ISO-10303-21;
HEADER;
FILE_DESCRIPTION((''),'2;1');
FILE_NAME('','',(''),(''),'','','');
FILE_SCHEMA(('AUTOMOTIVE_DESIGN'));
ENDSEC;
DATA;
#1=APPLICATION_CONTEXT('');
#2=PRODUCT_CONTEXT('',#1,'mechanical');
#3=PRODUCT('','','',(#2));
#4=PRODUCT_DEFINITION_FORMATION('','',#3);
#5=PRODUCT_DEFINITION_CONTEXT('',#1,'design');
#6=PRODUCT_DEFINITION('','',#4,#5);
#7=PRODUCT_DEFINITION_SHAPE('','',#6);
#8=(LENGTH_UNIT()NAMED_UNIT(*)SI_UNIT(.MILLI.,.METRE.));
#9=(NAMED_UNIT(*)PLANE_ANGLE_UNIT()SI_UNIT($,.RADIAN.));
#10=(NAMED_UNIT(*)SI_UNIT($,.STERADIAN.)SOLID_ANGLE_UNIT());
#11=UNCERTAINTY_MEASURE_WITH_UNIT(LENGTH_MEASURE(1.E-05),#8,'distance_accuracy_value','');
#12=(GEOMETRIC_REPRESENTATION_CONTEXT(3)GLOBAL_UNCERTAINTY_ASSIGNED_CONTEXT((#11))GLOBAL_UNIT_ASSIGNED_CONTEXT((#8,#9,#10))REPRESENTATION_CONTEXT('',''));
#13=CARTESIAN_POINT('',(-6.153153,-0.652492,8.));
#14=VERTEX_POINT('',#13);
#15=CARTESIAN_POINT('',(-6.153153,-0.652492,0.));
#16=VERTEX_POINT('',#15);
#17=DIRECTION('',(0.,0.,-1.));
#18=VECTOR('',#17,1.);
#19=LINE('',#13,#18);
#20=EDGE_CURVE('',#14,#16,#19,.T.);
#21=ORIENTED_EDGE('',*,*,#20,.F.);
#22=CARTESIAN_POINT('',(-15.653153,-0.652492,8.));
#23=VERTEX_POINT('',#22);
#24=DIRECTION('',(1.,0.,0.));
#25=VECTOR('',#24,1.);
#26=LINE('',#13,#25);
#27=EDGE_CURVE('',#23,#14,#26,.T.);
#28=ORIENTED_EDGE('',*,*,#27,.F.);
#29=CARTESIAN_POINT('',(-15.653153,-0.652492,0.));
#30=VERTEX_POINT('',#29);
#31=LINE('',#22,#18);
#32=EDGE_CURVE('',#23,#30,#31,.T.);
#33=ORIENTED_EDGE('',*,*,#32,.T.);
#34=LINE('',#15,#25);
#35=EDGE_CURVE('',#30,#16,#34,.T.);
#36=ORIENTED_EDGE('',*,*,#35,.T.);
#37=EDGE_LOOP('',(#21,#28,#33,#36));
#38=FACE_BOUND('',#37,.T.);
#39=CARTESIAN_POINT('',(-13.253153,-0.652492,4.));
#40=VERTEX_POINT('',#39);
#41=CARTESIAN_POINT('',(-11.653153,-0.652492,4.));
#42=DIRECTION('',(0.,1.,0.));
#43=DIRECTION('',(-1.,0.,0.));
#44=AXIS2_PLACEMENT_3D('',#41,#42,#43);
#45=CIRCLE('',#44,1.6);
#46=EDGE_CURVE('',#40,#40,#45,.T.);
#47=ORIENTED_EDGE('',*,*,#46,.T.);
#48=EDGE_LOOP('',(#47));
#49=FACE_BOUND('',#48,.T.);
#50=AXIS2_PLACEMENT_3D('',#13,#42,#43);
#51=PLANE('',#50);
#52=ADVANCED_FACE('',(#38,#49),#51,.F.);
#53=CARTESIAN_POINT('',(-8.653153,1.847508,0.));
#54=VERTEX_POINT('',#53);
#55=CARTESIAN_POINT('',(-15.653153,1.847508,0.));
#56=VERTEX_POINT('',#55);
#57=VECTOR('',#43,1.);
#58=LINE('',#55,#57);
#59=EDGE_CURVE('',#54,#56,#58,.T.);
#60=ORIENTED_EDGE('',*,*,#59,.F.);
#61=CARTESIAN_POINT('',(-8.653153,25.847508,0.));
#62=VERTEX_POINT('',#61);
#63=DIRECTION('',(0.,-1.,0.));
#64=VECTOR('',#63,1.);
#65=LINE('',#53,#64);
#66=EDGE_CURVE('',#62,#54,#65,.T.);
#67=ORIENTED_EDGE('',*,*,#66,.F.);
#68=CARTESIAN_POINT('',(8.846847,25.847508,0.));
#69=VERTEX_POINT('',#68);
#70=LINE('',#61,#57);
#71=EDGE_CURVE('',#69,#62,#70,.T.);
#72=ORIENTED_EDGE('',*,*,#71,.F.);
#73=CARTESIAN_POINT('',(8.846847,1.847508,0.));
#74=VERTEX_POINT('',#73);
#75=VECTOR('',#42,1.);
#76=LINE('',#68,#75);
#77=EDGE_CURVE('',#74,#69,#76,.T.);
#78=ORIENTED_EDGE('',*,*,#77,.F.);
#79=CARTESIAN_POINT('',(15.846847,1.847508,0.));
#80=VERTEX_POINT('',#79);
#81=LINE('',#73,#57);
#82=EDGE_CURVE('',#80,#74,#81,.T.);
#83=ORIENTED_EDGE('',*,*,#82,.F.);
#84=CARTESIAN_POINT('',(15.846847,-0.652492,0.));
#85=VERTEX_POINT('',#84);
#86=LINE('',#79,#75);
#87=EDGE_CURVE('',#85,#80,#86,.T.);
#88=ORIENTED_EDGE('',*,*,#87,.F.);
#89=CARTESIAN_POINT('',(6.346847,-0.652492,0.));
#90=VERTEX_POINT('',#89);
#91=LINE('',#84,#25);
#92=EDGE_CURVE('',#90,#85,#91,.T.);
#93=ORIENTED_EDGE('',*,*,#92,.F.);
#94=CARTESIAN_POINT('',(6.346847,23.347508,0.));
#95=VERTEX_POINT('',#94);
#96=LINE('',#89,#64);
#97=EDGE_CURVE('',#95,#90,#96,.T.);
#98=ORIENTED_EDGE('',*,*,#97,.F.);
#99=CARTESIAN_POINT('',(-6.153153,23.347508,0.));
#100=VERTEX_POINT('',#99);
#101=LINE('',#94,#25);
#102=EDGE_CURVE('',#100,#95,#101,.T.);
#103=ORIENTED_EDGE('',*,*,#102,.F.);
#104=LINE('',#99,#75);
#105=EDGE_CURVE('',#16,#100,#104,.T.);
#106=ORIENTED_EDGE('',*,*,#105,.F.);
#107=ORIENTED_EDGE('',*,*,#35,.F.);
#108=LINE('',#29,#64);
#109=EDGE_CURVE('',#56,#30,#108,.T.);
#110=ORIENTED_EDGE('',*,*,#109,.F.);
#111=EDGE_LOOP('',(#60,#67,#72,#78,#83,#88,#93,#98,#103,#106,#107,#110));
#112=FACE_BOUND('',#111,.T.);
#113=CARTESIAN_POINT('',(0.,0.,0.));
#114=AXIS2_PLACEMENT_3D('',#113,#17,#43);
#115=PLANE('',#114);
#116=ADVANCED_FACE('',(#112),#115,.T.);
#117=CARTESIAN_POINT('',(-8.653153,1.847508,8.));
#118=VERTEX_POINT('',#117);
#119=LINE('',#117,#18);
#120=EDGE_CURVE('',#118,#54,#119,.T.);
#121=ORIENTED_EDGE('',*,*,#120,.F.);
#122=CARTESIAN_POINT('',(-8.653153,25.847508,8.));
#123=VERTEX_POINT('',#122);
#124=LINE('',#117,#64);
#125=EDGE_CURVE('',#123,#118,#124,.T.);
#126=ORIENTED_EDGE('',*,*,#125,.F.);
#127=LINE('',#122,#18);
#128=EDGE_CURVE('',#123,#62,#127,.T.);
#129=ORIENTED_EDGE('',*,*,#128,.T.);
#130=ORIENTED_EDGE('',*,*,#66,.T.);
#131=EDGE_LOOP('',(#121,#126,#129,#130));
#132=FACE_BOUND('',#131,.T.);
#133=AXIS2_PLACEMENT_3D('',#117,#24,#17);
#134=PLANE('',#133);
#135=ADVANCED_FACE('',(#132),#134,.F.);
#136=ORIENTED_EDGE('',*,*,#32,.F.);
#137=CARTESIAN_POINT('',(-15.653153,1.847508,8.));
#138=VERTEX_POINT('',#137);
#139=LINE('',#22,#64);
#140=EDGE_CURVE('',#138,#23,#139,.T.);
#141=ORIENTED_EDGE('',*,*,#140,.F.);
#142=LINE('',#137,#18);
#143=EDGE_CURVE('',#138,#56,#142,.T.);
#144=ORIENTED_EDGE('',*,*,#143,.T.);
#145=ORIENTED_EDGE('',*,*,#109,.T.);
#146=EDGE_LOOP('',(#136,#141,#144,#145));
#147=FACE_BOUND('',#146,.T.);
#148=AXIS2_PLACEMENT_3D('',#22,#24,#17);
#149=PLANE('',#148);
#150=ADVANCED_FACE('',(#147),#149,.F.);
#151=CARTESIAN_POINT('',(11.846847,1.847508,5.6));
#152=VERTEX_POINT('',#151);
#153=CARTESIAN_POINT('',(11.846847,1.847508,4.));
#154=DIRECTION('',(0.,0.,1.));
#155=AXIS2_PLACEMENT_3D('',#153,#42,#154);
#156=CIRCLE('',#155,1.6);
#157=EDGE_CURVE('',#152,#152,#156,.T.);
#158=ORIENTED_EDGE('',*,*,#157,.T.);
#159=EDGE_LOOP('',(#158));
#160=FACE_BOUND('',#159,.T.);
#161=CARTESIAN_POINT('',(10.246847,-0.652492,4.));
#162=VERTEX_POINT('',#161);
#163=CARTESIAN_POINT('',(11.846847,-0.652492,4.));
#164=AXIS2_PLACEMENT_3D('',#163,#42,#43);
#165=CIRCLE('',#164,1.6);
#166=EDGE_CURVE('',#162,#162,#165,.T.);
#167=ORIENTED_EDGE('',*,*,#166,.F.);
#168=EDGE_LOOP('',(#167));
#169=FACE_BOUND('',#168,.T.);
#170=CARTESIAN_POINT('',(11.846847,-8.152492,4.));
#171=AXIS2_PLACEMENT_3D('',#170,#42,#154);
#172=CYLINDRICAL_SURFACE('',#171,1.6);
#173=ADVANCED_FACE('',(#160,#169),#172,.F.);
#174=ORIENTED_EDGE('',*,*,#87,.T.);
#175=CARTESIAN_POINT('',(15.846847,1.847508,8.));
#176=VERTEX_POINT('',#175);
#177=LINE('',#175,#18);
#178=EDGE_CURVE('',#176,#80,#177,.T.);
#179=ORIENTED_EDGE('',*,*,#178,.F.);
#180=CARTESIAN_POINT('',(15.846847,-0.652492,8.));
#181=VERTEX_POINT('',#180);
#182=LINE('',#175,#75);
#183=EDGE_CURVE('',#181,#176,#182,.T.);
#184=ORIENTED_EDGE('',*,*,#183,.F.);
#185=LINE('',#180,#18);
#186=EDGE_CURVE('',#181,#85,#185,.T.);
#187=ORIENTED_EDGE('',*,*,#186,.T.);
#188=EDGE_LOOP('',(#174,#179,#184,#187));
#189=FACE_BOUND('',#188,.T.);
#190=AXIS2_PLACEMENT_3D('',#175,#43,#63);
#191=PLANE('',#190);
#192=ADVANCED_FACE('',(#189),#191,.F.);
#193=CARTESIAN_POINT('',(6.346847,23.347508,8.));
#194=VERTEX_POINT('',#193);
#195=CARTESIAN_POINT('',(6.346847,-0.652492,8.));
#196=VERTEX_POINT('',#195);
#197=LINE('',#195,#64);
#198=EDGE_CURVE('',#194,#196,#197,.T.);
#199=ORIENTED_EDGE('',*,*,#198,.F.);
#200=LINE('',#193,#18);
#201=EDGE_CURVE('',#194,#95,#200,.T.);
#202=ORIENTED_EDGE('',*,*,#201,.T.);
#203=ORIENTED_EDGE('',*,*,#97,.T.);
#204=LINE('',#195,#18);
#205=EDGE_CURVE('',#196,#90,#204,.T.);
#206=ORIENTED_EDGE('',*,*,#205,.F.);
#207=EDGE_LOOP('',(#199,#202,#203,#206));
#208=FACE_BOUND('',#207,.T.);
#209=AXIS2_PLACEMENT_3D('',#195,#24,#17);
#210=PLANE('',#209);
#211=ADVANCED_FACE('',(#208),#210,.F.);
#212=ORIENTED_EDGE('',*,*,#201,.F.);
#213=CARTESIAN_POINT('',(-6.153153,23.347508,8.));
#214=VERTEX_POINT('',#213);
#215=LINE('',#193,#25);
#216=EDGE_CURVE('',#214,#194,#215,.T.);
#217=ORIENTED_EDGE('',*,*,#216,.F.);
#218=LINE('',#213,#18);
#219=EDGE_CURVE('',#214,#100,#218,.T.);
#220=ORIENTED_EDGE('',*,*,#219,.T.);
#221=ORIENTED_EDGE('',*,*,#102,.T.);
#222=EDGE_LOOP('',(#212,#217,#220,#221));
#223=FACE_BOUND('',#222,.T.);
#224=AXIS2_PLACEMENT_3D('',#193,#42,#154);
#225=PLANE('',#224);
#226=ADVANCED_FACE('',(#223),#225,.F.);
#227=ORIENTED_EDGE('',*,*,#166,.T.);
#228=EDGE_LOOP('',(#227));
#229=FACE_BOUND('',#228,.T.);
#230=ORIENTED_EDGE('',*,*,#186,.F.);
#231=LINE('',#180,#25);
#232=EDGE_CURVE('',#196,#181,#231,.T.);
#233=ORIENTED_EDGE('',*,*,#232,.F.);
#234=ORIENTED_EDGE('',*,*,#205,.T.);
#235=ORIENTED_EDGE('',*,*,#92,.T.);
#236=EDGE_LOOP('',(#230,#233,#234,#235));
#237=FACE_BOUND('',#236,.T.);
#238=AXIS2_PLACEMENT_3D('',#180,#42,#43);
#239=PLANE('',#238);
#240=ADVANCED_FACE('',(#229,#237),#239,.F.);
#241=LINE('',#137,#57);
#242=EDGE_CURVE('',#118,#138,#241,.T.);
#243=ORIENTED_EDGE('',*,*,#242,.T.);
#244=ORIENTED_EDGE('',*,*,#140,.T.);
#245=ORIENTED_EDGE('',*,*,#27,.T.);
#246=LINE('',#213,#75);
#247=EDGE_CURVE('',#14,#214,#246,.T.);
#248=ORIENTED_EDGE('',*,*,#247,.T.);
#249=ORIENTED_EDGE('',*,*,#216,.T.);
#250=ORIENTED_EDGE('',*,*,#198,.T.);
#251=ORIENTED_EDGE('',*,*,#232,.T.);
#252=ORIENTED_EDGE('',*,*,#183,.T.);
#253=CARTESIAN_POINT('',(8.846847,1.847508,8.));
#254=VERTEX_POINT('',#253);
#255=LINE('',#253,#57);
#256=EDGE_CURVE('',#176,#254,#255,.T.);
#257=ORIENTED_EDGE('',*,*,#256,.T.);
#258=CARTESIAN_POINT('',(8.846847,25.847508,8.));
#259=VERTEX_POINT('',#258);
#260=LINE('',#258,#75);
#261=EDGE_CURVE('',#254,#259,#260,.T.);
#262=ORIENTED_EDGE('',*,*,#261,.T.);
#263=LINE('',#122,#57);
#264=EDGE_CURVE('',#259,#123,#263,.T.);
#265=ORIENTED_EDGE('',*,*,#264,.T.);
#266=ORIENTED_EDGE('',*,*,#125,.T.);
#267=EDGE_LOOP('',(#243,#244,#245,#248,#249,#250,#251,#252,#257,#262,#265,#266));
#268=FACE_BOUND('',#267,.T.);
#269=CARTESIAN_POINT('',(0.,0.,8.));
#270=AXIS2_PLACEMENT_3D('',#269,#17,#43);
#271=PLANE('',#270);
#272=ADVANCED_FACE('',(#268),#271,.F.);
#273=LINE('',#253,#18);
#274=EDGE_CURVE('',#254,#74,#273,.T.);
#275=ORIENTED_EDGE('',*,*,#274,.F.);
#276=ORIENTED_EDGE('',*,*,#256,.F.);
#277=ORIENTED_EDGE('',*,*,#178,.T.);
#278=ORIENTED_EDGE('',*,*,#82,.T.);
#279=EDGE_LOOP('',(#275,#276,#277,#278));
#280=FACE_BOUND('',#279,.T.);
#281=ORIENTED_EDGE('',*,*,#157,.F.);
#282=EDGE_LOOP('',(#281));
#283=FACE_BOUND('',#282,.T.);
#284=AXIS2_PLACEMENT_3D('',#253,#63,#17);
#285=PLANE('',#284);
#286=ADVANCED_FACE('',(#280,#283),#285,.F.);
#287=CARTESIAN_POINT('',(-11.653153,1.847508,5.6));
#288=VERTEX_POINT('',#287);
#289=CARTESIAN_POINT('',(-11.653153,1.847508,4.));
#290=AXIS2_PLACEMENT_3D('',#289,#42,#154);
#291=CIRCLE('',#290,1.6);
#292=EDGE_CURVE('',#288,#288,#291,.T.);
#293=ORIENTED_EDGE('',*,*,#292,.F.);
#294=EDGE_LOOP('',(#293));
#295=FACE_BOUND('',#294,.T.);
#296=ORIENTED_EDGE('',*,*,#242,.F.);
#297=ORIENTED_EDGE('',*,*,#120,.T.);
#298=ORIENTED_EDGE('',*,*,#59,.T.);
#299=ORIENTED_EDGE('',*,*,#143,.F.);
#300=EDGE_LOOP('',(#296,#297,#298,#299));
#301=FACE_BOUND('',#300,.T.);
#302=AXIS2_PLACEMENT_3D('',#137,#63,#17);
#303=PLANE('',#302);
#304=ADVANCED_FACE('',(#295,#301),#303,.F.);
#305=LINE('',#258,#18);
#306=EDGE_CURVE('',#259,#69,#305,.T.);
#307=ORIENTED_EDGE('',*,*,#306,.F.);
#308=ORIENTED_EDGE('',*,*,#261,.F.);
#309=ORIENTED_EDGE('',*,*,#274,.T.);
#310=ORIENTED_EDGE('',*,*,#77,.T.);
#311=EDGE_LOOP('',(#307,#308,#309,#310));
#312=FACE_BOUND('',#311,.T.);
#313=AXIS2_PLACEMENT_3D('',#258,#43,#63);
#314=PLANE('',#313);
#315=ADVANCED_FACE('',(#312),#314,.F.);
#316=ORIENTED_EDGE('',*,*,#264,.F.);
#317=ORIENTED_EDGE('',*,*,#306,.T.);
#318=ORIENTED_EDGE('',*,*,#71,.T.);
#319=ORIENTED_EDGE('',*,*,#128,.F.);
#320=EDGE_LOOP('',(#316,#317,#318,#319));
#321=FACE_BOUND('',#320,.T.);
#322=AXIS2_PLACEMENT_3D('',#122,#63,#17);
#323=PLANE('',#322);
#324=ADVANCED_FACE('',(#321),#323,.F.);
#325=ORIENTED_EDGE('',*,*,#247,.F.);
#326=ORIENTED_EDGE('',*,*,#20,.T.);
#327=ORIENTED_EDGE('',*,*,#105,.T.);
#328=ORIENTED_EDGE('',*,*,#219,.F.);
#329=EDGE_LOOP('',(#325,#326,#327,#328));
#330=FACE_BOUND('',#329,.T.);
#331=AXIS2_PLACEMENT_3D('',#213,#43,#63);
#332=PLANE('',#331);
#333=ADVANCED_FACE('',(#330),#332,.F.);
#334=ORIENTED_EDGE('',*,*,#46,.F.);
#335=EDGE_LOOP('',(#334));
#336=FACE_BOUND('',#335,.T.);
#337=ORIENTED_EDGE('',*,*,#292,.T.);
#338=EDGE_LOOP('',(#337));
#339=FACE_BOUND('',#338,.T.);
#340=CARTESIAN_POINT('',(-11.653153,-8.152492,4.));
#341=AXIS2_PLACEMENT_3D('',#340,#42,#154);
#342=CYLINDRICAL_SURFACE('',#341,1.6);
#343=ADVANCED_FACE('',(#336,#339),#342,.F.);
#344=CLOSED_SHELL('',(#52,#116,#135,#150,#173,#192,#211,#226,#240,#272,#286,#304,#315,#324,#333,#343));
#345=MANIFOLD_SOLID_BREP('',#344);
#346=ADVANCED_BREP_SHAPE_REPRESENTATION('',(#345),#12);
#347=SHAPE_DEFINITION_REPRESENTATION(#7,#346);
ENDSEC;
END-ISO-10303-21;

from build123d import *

# Parameters (mm, degrees)
BOSS_EXTRUDE1_DEPTH = 8
SKETCH2_R           = 1.6
CUT_EXTRUDE1_DEPTH  = 10


with BuildPart() as part:
    # Sketch1 → Boss-Extrude1 (new body)
    with BuildSketch(Plane.XY):
        Polygon((-6.153153153, -0.652491564), (-15.653153153, -0.652491564), (-15.653153153, 1.847508436), (-8.653153153, 1.847508436), (-8.653153153, 25.847508436), (8.846846847, 25.847508436), (8.846846847, 1.847508436), (15.846846847, 1.847508436), (15.846846847, -0.652491564), (6.346846847, -0.652491564), (6.346846847, 23.347508436), (-6.153153153, 23.347508436), align=None)
    extrude(amount=BOSS_EXTRUDE1_DEPTH)

    # Sketch2 → Cut-Extrude1 (cut)
    with BuildSketch(Plane(origin=(0, 1.847508436, 0), x_dir=(1, 0, 0), z_dir=(0, 1, 0))):
        with Locations((-11.653153153, -4)):
            Circle(SKETCH2_R)
        with Locations((11.846846847, -4)):
            Circle(SKETCH2_R)
    extrude(amount=-CUT_EXTRUDE1_DEPTH, mode=Mode.SUBTRACT)


solid = part.part
